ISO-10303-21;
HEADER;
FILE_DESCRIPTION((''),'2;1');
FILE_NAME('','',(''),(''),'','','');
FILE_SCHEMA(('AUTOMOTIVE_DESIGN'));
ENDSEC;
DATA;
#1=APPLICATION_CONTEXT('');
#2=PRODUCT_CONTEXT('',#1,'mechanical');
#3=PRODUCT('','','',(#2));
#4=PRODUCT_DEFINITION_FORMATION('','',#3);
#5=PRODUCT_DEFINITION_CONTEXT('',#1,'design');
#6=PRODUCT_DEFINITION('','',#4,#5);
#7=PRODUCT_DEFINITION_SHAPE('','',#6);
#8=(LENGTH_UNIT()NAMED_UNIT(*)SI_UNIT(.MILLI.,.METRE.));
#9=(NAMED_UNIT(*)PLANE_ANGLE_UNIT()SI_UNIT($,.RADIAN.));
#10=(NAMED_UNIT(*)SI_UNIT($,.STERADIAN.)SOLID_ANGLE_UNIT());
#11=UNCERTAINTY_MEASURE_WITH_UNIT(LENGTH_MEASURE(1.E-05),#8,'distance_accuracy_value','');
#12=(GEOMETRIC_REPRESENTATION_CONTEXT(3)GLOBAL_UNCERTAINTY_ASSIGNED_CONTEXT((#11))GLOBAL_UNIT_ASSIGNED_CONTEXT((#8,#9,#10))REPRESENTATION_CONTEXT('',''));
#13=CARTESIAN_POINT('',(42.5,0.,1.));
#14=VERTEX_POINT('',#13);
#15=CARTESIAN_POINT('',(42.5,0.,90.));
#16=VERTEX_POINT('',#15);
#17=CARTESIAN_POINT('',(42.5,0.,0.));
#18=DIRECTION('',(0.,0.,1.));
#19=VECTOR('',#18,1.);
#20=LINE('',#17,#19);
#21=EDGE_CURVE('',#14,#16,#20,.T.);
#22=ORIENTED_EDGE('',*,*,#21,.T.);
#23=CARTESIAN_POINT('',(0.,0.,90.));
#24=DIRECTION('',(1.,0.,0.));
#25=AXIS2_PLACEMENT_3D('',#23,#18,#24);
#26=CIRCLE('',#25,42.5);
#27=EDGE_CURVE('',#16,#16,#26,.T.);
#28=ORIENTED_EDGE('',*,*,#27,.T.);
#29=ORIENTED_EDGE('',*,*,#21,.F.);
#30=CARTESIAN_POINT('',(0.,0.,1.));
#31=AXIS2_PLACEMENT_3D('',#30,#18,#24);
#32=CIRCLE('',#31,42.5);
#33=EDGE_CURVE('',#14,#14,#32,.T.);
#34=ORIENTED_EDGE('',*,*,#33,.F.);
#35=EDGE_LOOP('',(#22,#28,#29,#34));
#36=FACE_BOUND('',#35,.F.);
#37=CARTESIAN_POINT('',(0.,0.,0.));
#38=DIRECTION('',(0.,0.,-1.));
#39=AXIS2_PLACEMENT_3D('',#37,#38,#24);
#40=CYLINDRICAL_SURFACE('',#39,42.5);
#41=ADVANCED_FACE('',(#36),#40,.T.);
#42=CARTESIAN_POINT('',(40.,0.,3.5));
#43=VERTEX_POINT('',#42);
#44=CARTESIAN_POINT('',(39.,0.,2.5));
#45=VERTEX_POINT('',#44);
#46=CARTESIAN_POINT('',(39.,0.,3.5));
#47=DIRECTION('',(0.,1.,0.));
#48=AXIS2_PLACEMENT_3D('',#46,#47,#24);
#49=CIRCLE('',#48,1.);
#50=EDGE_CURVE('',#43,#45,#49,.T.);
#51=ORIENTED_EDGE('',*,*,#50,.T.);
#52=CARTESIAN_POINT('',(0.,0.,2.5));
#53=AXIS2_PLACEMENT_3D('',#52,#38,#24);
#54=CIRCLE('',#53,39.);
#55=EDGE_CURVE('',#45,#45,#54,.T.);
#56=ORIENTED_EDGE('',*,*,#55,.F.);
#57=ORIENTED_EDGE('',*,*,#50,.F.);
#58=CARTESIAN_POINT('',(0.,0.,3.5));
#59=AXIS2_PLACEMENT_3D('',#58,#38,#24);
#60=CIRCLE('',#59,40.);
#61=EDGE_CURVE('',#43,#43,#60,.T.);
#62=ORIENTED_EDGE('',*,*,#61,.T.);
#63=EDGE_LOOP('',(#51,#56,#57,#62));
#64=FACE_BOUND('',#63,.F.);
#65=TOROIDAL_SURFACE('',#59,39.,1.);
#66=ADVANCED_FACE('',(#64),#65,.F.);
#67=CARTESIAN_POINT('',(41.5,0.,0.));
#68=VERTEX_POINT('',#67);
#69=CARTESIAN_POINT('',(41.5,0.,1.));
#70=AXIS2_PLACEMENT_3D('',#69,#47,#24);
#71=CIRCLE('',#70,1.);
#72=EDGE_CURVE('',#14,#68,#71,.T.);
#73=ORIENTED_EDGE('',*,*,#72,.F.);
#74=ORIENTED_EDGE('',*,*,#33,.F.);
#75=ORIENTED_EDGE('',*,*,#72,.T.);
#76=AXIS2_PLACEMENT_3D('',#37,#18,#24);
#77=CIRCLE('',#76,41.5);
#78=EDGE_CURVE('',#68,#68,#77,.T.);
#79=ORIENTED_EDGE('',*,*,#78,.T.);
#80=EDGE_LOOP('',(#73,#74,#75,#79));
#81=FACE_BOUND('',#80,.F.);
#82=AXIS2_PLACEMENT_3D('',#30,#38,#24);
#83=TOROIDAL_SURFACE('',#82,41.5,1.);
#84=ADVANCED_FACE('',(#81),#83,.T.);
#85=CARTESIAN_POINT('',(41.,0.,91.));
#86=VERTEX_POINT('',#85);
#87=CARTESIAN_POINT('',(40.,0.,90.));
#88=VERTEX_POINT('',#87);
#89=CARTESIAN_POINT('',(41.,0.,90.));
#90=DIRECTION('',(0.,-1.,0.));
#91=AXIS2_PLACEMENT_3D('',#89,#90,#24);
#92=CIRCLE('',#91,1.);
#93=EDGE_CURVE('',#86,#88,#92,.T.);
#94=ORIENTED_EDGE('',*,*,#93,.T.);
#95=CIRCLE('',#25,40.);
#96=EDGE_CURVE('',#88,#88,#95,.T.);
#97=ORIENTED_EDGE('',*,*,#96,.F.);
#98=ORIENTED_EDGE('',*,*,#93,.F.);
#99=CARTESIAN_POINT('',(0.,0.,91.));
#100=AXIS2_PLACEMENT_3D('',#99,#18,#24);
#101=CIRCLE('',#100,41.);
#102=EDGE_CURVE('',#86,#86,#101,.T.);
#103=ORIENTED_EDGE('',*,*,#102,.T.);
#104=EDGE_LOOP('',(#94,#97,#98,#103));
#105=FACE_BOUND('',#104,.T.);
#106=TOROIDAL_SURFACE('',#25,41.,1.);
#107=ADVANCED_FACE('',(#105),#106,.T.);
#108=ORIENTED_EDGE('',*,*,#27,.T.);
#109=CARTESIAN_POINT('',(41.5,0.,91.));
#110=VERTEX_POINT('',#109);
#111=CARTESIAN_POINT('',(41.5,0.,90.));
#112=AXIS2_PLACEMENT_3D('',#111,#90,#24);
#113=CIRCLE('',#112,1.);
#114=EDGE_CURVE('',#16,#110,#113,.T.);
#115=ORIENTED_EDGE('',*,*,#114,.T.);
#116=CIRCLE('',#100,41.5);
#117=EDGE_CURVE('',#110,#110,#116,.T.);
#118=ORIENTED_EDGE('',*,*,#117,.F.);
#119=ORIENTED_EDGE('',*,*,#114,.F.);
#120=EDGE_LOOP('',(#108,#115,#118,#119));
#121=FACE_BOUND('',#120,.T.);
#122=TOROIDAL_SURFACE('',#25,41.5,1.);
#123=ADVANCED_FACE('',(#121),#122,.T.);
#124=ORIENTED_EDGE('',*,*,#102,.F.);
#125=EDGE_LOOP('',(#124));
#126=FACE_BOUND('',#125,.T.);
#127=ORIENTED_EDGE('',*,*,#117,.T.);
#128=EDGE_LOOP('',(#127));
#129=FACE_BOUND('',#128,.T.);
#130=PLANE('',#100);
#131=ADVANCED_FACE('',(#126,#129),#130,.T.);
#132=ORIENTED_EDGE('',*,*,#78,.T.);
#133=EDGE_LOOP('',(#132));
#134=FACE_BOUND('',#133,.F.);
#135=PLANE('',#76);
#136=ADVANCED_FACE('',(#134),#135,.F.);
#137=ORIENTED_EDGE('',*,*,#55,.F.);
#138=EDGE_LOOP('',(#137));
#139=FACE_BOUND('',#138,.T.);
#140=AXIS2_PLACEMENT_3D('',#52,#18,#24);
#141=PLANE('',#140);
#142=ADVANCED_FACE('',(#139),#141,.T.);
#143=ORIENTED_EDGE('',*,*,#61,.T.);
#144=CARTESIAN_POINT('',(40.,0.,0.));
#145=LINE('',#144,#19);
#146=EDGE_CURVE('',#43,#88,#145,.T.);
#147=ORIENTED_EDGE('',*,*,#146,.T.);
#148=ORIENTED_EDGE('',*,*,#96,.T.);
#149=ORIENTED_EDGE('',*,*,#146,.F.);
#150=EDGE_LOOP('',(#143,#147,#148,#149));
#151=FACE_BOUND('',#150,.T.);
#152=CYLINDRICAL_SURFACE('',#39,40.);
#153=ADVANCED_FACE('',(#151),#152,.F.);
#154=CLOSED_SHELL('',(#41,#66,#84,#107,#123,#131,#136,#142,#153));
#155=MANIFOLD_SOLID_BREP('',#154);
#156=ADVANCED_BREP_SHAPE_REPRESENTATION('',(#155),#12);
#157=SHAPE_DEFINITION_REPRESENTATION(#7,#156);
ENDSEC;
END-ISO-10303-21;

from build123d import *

# Parameters (mm, degrees)
F0_R     = 42.5
F1_DEPTH = 91
F5_T     = -2.5
F6_R     = 1


with BuildPart() as f1:
    # F0 (on Top) → F1 (new body)
    with BuildSketch(Plane.XY):
        Circle(F0_R)
    extrude(amount=F1_DEPTH)

    # F5
    f5_openings = [f1.faces().sort_by_distance(p)[0] for p in [
        (0, 0, 91),
    ]]
    offset(amount=F5_T, openings=f5_openings)

    # F6
    f6_edges = [f1.edges().sort_by_distance(p)[0] for p in [
        (-40, 0, 2.5),
        (42.5, 0, 45.5),
        (-42.5, 0, 0),
        (-42.5, 0, 91),
        (40, 0, 46.75),
        (-40, 0, 91),
    ]]
    fillet(f6_edges, radius=F6_R)


solid = f1.part
